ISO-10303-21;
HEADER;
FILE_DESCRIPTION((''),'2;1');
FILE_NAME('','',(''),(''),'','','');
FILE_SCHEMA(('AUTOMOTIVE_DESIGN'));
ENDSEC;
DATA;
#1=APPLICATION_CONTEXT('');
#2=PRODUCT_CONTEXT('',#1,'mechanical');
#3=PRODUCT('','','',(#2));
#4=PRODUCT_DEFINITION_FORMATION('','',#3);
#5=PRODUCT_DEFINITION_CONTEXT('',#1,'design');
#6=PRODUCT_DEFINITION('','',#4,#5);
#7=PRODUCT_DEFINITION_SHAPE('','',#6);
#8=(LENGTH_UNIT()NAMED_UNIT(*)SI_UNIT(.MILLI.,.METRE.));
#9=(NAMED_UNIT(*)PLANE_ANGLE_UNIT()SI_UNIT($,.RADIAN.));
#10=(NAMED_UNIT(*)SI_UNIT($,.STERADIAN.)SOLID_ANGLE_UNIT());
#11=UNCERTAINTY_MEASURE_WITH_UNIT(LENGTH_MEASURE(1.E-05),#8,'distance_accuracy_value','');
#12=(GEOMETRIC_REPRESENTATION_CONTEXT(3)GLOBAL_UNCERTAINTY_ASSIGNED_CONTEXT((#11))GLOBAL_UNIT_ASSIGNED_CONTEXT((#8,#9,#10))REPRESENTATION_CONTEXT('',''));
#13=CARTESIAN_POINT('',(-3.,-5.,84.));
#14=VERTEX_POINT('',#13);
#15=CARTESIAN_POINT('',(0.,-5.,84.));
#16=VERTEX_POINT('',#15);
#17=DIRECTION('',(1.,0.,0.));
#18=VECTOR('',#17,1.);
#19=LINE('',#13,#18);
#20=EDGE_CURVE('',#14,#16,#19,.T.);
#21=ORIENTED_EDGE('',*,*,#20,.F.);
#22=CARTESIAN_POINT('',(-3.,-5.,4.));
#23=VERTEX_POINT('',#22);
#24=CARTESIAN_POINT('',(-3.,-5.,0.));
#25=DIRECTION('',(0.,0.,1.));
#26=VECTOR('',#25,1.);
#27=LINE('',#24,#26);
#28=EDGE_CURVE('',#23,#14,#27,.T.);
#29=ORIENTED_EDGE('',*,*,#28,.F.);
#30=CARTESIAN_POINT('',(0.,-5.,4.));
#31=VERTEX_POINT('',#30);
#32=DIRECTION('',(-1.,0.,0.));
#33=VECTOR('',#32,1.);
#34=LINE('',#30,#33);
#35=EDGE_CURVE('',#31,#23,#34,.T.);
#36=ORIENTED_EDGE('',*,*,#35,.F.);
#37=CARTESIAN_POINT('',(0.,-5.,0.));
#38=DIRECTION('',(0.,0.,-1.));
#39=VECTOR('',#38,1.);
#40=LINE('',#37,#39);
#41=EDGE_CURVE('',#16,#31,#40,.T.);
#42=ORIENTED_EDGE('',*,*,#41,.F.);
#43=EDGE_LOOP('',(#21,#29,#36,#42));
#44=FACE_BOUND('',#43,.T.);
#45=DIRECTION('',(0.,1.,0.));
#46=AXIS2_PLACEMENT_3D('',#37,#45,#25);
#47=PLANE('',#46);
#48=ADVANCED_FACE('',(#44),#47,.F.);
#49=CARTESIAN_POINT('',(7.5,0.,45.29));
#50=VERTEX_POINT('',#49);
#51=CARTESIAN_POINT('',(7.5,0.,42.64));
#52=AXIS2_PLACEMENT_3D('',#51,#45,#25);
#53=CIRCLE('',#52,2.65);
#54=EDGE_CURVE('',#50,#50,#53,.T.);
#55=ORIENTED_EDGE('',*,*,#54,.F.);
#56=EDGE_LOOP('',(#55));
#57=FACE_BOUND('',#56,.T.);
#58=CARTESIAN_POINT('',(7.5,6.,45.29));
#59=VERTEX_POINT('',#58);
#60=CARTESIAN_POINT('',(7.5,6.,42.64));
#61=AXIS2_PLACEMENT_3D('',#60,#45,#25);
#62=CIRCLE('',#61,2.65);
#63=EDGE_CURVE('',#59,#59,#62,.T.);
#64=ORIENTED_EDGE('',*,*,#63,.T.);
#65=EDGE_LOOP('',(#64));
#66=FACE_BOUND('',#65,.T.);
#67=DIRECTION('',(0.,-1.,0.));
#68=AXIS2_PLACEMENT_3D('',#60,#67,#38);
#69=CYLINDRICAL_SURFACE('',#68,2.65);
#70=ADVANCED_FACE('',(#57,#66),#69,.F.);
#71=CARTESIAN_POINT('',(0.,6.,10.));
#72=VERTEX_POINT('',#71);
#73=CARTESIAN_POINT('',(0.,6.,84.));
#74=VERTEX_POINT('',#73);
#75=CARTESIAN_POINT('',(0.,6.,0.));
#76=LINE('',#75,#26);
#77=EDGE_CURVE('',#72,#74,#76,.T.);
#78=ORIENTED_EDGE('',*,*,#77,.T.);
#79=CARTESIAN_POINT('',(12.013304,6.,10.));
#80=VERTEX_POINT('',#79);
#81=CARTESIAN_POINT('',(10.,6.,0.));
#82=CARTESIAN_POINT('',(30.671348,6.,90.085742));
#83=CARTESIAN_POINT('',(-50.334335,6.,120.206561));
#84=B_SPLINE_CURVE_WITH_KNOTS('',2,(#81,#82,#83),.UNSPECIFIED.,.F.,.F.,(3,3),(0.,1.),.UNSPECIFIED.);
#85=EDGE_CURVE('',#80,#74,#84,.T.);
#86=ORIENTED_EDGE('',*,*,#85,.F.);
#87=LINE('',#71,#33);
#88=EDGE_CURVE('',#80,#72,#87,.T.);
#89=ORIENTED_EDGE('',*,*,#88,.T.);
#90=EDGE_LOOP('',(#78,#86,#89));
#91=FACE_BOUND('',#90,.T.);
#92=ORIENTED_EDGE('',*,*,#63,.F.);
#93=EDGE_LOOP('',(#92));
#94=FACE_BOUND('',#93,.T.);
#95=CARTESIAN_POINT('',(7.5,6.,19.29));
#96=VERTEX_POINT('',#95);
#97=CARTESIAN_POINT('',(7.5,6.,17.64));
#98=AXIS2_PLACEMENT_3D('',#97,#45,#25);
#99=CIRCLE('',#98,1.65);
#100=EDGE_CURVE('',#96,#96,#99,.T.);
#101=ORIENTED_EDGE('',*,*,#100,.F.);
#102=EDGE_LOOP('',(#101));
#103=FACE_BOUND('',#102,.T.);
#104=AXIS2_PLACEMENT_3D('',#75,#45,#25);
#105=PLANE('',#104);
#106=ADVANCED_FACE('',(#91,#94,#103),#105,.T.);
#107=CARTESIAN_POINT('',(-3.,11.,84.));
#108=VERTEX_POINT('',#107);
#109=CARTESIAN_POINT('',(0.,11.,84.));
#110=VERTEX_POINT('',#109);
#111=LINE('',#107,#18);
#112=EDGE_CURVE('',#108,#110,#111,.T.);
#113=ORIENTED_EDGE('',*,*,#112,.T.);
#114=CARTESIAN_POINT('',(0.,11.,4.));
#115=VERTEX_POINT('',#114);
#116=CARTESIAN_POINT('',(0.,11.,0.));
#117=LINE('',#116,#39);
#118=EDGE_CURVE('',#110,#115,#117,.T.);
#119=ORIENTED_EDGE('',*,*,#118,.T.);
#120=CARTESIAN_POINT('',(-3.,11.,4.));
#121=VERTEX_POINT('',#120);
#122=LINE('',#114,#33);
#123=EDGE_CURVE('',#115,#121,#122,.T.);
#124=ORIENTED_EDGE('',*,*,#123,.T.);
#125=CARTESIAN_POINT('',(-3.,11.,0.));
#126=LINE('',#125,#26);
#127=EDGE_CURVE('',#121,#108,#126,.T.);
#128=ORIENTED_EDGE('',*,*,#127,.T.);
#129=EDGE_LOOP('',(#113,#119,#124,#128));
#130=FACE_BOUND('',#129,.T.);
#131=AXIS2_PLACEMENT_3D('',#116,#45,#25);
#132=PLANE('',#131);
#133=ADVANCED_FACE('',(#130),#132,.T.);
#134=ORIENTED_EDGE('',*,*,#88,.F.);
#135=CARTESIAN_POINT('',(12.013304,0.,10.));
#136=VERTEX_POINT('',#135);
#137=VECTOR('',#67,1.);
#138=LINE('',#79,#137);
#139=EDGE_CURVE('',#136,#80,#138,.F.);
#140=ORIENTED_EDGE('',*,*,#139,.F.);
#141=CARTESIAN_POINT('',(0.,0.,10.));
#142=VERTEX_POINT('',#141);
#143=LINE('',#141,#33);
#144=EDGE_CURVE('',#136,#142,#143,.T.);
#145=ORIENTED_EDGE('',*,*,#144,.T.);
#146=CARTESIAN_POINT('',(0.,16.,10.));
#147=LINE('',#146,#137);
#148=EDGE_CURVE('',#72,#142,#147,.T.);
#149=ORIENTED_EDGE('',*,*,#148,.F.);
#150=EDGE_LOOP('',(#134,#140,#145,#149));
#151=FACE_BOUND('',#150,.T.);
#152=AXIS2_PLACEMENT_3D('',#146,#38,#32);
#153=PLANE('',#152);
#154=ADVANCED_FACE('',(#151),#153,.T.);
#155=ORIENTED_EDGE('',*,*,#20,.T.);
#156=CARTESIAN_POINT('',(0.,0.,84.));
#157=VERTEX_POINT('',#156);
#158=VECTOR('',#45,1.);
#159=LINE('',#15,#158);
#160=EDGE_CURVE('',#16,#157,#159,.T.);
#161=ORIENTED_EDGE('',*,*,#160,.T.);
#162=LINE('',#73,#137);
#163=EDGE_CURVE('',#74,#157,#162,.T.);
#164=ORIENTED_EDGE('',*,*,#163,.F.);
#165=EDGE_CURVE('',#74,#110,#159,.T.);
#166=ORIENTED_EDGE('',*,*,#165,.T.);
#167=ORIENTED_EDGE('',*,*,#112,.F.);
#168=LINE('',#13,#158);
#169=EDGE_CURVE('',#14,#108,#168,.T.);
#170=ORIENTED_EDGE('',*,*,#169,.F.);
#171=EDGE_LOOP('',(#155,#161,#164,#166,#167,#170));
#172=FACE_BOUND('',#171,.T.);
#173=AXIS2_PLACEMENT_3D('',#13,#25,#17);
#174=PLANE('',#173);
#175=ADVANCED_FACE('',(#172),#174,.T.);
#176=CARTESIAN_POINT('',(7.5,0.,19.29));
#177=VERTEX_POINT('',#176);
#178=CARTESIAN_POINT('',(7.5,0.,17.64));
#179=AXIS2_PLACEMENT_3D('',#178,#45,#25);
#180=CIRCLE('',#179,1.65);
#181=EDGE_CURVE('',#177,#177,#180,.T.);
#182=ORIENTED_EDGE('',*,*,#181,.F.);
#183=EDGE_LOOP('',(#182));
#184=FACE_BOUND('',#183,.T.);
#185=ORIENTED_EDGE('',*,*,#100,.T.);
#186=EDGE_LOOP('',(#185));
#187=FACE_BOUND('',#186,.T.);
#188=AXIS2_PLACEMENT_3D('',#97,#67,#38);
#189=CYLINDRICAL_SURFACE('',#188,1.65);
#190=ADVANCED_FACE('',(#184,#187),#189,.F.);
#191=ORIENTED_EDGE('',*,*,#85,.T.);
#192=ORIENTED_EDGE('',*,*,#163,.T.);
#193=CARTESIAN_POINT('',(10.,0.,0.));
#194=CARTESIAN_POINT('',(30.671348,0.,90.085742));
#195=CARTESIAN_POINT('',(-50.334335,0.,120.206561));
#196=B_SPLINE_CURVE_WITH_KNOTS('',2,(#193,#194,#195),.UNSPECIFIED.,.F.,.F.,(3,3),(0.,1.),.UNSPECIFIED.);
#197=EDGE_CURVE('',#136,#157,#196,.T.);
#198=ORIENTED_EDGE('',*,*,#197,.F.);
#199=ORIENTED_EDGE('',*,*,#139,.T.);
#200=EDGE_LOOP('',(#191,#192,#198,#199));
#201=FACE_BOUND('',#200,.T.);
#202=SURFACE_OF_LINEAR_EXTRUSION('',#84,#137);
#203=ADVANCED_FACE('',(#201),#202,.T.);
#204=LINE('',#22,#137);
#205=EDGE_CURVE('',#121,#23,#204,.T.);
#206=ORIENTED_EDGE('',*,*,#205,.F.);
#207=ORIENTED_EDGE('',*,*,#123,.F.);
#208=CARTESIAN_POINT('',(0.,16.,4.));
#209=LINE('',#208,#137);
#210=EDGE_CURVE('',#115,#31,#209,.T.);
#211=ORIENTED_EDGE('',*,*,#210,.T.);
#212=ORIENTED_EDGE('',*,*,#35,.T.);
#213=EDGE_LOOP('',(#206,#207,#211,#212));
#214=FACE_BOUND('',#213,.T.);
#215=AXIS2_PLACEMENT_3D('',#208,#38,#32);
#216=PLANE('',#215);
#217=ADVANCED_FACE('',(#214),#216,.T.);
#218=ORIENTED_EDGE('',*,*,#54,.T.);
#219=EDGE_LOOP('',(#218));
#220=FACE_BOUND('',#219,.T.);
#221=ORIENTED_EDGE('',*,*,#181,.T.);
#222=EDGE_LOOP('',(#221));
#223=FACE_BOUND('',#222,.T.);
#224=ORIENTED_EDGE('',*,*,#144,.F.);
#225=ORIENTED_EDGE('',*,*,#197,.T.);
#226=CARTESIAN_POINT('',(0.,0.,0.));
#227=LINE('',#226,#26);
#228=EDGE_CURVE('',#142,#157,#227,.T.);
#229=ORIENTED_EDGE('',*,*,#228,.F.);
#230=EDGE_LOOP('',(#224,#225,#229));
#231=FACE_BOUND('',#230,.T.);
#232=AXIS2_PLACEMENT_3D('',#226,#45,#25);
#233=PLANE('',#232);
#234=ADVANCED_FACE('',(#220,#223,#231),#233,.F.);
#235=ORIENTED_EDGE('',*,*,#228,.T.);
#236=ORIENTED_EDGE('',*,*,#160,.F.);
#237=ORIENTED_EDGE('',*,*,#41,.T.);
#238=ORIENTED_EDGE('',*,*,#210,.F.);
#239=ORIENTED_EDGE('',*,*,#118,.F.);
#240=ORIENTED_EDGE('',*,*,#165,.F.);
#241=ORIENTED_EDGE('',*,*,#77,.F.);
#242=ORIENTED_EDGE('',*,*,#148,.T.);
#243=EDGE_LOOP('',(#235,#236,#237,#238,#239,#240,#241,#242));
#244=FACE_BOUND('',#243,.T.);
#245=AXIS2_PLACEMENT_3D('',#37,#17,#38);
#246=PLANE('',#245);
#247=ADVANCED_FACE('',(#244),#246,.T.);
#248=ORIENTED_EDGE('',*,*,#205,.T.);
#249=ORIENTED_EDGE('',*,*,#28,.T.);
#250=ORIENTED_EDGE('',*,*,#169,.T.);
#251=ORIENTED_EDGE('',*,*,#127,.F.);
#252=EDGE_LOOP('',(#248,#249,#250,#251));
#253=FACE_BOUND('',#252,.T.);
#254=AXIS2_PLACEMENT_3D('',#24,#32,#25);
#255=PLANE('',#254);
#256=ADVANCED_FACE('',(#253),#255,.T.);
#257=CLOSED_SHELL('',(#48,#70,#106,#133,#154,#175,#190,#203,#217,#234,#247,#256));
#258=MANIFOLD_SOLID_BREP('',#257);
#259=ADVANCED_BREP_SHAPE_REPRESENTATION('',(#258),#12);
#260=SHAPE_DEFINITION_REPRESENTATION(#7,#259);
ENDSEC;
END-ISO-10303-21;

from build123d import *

# Parameters (mm, degrees)
SKETCH1_R                = 2.65
SKETCH1_R_2              = 1.65
BOSS_EXTRUDE1_DEPTH      = 6
SKETCH2_W                = 3
SKETCH2_H                = 84
BOSS_EXTRUDE2_DEPTH      = 5
BOSS_EXTRUDE2_DEPTH_BACK = 11
SKETCH3_W                = 3.872725059
SKETCH3_H                = 4
CUT_EXTRUDE2_DEPTH       = 10
CUT_EXTRUDE2_DEPTH_BACK  = 20


with BuildPart() as part:
    # Sketch1 → Boss-Extrude1 (new body)
    with BuildSketch(Plane(origin=(0, 0, 0), x_dir=(1, 0, 0), z_dir=(0, 1, 0))):
        with BuildLine():
            Line((10, 0), (0, 0))
            Line((0, 0), (0, -84))
            add(Edge.make_bspline(
                [(10, 0), (21.928320777, -51.98362607), (0, -84)],
                knots=[0, 0, 0, 0.5770461, 0.5770461, 0.5770461], degree=2))
        make_face()
        with Locations((7.5, -42.64)):
            Circle(SKETCH1_R, mode=Mode.SUBTRACT)
        with Locations((7.5, -17.64)):
            Circle(SKETCH1_R_2, mode=Mode.SUBTRACT)
    extrude(amount=BOSS_EXTRUDE1_DEPTH)

    # Sketch2 → Boss-Extrude2 (add, two sides)
    with BuildSketch(Plane(origin=(0, 6, 0), x_dir=(1, 0, 0), z_dir=(0, 1, 0))) as boss_extrude2_sk:
        with Locations((-1.5, -42)):
            Rectangle(SKETCH2_W, SKETCH2_H)
    extrude(amount=BOSS_EXTRUDE2_DEPTH)
    extrude(boss_extrude2_sk.sketch, amount=-BOSS_EXTRUDE2_DEPTH_BACK)

    # Sketch3 → Cut-Extrude2 (cut, two sides)
    with BuildSketch(Plane(origin=(0, 6, 0), x_dir=(1, 0, 0), z_dir=(0, 1, 0))) as cut_extrude2_sk:
        Polygon((23.981174241, 0), (0, 0), (0, -4), (0, -10), (23.981174241, -10), align=None)
        with Locations((-1.93636253, -2)):
            Rectangle(SKETCH3_W, SKETCH3_H)
    extrude(amount=CUT_EXTRUDE2_DEPTH, mode=Mode.SUBTRACT)
    extrude(cut_extrude2_sk.sketch, amount=-CUT_EXTRUDE2_DEPTH_BACK, mode=Mode.SUBTRACT)


solid = part.part
